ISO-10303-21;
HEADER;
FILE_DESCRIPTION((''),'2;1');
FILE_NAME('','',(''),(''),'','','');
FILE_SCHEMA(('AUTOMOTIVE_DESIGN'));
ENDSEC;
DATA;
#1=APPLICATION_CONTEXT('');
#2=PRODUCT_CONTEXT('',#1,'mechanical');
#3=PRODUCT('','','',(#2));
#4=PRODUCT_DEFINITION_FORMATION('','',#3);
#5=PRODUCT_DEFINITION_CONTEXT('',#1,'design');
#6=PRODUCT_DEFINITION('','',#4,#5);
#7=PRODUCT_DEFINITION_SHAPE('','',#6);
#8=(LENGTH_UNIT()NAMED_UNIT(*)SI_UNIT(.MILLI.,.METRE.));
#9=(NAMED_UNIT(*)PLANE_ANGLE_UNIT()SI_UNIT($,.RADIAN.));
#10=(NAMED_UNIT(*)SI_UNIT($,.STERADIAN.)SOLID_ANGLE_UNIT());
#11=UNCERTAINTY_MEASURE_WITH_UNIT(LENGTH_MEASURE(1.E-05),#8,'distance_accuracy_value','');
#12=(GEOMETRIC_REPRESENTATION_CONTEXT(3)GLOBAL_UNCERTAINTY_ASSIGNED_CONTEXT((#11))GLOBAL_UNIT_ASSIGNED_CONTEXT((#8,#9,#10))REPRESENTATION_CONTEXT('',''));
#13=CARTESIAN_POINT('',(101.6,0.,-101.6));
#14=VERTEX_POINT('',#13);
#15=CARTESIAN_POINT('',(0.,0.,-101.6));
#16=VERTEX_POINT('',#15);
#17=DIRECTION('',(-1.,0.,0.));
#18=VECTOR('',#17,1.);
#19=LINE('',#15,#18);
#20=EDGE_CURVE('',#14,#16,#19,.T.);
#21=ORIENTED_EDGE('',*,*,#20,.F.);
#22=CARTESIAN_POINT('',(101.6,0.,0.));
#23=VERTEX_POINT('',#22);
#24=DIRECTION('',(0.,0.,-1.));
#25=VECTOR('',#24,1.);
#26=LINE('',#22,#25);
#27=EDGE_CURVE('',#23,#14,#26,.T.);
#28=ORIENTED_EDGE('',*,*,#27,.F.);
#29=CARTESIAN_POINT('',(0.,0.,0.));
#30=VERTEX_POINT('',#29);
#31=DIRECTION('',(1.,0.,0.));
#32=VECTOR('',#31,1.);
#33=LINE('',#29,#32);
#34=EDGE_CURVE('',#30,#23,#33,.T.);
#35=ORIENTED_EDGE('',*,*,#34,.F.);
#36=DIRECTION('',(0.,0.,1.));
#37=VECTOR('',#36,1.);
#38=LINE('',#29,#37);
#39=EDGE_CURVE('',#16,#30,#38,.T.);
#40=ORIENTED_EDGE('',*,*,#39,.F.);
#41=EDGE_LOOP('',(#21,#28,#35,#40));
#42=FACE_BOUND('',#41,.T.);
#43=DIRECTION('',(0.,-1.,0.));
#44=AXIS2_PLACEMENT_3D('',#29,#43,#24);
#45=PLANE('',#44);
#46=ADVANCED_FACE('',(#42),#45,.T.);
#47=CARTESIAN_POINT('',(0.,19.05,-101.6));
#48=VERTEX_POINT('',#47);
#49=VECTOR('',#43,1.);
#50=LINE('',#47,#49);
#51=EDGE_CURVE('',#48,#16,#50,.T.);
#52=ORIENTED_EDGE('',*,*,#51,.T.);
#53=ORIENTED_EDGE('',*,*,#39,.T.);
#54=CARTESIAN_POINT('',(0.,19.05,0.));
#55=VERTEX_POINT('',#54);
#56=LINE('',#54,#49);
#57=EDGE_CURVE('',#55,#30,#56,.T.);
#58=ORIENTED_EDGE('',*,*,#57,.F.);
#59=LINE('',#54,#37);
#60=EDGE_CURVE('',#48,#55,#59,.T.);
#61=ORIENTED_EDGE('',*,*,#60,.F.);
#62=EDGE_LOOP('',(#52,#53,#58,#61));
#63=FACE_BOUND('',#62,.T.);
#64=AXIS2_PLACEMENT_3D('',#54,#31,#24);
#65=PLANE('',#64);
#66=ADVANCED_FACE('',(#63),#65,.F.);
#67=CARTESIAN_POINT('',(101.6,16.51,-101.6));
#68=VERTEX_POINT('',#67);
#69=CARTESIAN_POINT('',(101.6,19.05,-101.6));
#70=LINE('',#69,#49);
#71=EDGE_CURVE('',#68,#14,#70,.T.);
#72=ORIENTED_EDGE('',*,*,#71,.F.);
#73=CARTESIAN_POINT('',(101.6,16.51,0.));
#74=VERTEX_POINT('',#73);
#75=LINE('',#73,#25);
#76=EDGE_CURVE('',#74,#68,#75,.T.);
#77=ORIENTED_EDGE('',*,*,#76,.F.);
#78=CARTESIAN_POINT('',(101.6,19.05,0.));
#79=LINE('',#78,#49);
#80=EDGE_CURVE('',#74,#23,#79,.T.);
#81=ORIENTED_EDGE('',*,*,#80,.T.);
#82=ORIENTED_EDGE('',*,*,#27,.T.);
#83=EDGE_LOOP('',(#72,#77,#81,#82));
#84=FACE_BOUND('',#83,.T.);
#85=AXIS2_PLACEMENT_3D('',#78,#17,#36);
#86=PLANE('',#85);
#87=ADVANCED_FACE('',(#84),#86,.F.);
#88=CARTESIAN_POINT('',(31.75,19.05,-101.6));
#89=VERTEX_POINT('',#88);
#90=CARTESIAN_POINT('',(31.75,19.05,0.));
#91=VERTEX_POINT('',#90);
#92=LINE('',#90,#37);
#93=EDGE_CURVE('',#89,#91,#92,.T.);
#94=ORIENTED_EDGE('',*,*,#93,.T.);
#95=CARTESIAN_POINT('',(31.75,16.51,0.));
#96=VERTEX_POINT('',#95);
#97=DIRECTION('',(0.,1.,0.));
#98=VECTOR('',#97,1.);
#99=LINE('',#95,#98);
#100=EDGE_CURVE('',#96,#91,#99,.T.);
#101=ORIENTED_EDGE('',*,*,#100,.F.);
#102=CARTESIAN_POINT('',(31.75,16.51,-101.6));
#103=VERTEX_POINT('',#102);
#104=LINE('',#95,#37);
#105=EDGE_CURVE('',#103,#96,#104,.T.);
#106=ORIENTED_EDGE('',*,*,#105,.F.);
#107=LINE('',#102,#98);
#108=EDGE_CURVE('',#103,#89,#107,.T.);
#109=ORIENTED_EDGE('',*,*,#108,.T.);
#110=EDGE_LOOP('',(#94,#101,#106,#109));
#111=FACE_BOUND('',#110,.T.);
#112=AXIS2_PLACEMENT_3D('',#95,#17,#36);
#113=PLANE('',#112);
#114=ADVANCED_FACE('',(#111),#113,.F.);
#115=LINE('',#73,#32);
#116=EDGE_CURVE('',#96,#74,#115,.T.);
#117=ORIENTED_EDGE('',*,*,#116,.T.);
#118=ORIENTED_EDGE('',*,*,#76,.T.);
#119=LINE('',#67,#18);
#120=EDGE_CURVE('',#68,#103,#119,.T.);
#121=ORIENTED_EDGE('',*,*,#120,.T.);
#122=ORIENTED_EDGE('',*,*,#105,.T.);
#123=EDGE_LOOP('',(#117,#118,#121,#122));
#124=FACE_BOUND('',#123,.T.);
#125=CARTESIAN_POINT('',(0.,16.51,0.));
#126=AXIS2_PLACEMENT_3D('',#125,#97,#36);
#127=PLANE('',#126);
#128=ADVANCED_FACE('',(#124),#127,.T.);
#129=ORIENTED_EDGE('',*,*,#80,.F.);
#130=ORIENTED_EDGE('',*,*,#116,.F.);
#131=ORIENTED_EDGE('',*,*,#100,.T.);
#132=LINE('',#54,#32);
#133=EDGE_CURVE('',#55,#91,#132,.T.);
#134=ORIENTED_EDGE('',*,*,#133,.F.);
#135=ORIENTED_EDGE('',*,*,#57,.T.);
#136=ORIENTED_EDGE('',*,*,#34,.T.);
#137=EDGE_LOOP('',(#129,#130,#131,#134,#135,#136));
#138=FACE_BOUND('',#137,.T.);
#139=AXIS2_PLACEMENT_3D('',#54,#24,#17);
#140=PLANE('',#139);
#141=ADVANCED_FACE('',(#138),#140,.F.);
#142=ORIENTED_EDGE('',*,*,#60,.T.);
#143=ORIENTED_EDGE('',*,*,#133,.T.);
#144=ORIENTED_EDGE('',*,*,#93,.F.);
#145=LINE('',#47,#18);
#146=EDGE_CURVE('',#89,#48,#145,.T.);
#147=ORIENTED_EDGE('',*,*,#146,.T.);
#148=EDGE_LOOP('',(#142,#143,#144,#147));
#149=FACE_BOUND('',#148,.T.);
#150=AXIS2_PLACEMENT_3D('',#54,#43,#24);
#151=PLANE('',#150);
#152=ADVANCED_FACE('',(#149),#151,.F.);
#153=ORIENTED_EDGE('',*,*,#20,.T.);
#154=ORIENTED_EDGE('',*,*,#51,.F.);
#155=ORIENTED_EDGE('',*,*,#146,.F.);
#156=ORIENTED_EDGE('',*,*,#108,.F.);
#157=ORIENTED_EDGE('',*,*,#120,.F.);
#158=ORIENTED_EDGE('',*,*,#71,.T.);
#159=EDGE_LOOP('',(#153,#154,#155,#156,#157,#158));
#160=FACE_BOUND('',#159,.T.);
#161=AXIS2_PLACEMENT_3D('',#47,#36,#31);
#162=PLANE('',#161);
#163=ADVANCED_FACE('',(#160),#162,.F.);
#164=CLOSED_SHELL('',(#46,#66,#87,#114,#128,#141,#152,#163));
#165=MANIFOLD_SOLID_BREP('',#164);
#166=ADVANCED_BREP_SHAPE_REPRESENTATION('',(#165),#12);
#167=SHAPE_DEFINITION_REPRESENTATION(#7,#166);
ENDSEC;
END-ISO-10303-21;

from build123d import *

# Parameters (mm, degrees)
SKETCH1_W           = 101.6
SKETCH1_H           = 101.6
BOSS_EXTRUDE1_DEPTH = 19.05
SKETCH2_W           = 69.85
SKETCH2_H           = 101.6
CUT_EXTRUDE1_DEPTH  = 2.54


with BuildPart() as part:
    # Sketch1 → Boss-Extrude1 (new body)
    with BuildSketch(Plane(origin=(0, 0, 0), x_dir=(1, 0, 0), z_dir=(0, 1, 0))):
        with Locations((50.8, 50.8)):
            Rectangle(SKETCH1_W, SKETCH1_H)
    extrude(amount=BOSS_EXTRUDE1_DEPTH)

    # Sketch2 → Cut-Extrude1 (cut)
    with BuildSketch(Plane(origin=(0, 19.05, 0), x_dir=(1, 0, 0), z_dir=(0, 1, 0))):
        with Locations((66.675, 50.8)):
            Rectangle(SKETCH2_W, SKETCH2_H)
    extrude(amount=-CUT_EXTRUDE1_DEPTH, mode=Mode.SUBTRACT)


solid = part.part
